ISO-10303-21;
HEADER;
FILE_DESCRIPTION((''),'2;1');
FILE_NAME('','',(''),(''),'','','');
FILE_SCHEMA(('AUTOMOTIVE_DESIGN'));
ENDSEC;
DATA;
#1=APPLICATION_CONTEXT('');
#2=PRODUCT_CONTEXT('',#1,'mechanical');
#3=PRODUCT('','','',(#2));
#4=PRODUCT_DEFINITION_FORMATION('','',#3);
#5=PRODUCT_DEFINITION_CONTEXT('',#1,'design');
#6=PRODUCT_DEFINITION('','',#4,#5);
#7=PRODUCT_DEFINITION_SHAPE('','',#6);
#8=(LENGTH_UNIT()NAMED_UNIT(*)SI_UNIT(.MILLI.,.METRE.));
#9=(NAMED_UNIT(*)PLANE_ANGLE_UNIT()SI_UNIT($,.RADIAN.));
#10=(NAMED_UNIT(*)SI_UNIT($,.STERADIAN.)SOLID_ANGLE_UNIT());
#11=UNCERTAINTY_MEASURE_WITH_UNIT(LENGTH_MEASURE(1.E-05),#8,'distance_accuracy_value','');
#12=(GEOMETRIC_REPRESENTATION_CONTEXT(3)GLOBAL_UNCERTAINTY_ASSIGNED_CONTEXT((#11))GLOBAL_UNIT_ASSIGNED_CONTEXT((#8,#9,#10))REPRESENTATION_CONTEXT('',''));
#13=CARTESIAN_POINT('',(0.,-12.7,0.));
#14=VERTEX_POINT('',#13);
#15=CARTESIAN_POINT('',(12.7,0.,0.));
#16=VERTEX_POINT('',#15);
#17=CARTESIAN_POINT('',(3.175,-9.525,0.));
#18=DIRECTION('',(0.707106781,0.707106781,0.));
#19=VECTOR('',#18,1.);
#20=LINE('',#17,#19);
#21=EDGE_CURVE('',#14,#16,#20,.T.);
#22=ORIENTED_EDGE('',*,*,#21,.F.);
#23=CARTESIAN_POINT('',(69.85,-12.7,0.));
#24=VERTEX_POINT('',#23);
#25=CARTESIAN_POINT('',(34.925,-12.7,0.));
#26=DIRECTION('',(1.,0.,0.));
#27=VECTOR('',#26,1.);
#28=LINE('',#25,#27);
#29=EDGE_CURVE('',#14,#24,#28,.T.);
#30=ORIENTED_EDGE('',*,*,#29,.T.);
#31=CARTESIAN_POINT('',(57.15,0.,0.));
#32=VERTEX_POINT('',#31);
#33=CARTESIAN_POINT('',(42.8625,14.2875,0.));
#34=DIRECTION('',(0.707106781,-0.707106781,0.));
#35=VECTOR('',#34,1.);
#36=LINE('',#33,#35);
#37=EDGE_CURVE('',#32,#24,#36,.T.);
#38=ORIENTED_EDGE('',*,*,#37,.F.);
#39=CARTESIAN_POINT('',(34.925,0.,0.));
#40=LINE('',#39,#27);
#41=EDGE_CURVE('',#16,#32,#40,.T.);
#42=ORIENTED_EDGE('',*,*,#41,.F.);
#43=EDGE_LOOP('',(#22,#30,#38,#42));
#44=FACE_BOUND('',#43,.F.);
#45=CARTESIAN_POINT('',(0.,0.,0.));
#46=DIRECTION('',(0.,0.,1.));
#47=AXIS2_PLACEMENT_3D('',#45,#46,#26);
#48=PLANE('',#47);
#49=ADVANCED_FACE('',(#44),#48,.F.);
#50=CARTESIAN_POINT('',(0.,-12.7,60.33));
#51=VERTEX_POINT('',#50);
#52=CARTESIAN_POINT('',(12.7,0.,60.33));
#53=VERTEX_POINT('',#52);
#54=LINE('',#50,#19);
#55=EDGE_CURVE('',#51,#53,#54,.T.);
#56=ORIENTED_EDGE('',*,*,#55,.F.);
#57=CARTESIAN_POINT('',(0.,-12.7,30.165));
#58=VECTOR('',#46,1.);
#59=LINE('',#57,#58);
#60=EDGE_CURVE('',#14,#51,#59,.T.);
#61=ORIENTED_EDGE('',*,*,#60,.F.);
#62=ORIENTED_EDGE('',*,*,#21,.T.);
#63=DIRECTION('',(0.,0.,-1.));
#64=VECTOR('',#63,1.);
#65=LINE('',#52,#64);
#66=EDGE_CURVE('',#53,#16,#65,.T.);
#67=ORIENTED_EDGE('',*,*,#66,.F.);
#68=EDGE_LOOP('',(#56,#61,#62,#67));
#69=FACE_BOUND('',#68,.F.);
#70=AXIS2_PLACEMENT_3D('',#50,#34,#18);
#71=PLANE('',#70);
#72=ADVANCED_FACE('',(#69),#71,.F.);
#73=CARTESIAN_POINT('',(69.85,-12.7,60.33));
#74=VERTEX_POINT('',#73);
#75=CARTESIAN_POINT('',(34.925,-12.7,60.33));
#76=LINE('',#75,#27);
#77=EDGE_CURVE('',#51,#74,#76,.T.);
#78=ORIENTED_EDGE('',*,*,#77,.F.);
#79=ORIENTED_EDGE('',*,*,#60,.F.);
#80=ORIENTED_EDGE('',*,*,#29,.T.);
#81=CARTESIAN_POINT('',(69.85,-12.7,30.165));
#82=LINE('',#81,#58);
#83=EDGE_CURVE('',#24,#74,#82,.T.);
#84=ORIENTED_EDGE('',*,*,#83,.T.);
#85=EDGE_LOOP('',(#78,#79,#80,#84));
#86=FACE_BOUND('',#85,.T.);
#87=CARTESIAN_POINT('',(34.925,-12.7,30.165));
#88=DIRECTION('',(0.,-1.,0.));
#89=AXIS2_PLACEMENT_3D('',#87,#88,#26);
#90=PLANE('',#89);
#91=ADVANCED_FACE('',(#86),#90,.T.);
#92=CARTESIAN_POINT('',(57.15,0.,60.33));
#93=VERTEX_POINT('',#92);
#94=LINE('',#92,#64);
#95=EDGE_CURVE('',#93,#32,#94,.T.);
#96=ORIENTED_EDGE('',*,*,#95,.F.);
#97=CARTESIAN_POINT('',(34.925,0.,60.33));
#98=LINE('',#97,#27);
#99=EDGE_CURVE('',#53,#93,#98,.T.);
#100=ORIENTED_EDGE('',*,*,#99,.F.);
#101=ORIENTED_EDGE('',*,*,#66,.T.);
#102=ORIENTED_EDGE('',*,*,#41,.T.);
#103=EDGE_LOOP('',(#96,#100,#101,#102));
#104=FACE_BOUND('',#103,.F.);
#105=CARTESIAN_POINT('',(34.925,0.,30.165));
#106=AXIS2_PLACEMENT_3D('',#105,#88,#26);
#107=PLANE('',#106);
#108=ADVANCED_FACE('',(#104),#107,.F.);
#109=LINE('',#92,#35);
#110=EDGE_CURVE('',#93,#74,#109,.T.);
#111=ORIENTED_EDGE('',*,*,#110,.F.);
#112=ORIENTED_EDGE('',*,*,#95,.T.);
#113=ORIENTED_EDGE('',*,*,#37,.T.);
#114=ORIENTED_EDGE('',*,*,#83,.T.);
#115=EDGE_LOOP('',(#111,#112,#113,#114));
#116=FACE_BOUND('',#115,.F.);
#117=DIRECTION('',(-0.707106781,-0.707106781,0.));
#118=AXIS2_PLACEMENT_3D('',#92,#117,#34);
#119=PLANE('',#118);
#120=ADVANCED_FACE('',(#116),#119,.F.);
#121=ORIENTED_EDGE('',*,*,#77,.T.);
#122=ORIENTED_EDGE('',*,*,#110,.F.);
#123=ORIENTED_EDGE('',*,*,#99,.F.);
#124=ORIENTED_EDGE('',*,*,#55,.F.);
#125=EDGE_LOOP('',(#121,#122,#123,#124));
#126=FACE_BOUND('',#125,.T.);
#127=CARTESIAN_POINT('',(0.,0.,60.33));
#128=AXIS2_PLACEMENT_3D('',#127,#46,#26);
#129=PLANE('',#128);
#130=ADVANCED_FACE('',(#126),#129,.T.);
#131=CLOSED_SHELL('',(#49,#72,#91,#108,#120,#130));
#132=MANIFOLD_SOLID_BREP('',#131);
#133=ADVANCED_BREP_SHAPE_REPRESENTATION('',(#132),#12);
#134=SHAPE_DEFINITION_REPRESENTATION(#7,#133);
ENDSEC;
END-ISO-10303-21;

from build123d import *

# Parameters (mm, degrees)
F0_W     = 69.85
F0_H     = 60.33
F1_DEPTH = 12.7
F3_DEPTH = 76.2


with BuildPart() as f1:
    # F0 (on Front) → F1 (new body)
    with BuildSketch(Plane.XZ):
        with Locations((34.925, 30.165)):
            Rectangle(F0_W, F0_H)
    extrude(amount=F1_DEPTH)

    # F2 (on face) → F3 (cut)
    with BuildSketch(Plane.XY.offset(60.33)):
        Polygon((12.7, 0), (0, 0), (0, -12.7), align=None)
        Polygon((69.85, 0), (57.15, 0), (69.85, -12.7), align=None)
    extrude(amount=-F3_DEPTH, mode=Mode.SUBTRACT)


solid = f1.part
